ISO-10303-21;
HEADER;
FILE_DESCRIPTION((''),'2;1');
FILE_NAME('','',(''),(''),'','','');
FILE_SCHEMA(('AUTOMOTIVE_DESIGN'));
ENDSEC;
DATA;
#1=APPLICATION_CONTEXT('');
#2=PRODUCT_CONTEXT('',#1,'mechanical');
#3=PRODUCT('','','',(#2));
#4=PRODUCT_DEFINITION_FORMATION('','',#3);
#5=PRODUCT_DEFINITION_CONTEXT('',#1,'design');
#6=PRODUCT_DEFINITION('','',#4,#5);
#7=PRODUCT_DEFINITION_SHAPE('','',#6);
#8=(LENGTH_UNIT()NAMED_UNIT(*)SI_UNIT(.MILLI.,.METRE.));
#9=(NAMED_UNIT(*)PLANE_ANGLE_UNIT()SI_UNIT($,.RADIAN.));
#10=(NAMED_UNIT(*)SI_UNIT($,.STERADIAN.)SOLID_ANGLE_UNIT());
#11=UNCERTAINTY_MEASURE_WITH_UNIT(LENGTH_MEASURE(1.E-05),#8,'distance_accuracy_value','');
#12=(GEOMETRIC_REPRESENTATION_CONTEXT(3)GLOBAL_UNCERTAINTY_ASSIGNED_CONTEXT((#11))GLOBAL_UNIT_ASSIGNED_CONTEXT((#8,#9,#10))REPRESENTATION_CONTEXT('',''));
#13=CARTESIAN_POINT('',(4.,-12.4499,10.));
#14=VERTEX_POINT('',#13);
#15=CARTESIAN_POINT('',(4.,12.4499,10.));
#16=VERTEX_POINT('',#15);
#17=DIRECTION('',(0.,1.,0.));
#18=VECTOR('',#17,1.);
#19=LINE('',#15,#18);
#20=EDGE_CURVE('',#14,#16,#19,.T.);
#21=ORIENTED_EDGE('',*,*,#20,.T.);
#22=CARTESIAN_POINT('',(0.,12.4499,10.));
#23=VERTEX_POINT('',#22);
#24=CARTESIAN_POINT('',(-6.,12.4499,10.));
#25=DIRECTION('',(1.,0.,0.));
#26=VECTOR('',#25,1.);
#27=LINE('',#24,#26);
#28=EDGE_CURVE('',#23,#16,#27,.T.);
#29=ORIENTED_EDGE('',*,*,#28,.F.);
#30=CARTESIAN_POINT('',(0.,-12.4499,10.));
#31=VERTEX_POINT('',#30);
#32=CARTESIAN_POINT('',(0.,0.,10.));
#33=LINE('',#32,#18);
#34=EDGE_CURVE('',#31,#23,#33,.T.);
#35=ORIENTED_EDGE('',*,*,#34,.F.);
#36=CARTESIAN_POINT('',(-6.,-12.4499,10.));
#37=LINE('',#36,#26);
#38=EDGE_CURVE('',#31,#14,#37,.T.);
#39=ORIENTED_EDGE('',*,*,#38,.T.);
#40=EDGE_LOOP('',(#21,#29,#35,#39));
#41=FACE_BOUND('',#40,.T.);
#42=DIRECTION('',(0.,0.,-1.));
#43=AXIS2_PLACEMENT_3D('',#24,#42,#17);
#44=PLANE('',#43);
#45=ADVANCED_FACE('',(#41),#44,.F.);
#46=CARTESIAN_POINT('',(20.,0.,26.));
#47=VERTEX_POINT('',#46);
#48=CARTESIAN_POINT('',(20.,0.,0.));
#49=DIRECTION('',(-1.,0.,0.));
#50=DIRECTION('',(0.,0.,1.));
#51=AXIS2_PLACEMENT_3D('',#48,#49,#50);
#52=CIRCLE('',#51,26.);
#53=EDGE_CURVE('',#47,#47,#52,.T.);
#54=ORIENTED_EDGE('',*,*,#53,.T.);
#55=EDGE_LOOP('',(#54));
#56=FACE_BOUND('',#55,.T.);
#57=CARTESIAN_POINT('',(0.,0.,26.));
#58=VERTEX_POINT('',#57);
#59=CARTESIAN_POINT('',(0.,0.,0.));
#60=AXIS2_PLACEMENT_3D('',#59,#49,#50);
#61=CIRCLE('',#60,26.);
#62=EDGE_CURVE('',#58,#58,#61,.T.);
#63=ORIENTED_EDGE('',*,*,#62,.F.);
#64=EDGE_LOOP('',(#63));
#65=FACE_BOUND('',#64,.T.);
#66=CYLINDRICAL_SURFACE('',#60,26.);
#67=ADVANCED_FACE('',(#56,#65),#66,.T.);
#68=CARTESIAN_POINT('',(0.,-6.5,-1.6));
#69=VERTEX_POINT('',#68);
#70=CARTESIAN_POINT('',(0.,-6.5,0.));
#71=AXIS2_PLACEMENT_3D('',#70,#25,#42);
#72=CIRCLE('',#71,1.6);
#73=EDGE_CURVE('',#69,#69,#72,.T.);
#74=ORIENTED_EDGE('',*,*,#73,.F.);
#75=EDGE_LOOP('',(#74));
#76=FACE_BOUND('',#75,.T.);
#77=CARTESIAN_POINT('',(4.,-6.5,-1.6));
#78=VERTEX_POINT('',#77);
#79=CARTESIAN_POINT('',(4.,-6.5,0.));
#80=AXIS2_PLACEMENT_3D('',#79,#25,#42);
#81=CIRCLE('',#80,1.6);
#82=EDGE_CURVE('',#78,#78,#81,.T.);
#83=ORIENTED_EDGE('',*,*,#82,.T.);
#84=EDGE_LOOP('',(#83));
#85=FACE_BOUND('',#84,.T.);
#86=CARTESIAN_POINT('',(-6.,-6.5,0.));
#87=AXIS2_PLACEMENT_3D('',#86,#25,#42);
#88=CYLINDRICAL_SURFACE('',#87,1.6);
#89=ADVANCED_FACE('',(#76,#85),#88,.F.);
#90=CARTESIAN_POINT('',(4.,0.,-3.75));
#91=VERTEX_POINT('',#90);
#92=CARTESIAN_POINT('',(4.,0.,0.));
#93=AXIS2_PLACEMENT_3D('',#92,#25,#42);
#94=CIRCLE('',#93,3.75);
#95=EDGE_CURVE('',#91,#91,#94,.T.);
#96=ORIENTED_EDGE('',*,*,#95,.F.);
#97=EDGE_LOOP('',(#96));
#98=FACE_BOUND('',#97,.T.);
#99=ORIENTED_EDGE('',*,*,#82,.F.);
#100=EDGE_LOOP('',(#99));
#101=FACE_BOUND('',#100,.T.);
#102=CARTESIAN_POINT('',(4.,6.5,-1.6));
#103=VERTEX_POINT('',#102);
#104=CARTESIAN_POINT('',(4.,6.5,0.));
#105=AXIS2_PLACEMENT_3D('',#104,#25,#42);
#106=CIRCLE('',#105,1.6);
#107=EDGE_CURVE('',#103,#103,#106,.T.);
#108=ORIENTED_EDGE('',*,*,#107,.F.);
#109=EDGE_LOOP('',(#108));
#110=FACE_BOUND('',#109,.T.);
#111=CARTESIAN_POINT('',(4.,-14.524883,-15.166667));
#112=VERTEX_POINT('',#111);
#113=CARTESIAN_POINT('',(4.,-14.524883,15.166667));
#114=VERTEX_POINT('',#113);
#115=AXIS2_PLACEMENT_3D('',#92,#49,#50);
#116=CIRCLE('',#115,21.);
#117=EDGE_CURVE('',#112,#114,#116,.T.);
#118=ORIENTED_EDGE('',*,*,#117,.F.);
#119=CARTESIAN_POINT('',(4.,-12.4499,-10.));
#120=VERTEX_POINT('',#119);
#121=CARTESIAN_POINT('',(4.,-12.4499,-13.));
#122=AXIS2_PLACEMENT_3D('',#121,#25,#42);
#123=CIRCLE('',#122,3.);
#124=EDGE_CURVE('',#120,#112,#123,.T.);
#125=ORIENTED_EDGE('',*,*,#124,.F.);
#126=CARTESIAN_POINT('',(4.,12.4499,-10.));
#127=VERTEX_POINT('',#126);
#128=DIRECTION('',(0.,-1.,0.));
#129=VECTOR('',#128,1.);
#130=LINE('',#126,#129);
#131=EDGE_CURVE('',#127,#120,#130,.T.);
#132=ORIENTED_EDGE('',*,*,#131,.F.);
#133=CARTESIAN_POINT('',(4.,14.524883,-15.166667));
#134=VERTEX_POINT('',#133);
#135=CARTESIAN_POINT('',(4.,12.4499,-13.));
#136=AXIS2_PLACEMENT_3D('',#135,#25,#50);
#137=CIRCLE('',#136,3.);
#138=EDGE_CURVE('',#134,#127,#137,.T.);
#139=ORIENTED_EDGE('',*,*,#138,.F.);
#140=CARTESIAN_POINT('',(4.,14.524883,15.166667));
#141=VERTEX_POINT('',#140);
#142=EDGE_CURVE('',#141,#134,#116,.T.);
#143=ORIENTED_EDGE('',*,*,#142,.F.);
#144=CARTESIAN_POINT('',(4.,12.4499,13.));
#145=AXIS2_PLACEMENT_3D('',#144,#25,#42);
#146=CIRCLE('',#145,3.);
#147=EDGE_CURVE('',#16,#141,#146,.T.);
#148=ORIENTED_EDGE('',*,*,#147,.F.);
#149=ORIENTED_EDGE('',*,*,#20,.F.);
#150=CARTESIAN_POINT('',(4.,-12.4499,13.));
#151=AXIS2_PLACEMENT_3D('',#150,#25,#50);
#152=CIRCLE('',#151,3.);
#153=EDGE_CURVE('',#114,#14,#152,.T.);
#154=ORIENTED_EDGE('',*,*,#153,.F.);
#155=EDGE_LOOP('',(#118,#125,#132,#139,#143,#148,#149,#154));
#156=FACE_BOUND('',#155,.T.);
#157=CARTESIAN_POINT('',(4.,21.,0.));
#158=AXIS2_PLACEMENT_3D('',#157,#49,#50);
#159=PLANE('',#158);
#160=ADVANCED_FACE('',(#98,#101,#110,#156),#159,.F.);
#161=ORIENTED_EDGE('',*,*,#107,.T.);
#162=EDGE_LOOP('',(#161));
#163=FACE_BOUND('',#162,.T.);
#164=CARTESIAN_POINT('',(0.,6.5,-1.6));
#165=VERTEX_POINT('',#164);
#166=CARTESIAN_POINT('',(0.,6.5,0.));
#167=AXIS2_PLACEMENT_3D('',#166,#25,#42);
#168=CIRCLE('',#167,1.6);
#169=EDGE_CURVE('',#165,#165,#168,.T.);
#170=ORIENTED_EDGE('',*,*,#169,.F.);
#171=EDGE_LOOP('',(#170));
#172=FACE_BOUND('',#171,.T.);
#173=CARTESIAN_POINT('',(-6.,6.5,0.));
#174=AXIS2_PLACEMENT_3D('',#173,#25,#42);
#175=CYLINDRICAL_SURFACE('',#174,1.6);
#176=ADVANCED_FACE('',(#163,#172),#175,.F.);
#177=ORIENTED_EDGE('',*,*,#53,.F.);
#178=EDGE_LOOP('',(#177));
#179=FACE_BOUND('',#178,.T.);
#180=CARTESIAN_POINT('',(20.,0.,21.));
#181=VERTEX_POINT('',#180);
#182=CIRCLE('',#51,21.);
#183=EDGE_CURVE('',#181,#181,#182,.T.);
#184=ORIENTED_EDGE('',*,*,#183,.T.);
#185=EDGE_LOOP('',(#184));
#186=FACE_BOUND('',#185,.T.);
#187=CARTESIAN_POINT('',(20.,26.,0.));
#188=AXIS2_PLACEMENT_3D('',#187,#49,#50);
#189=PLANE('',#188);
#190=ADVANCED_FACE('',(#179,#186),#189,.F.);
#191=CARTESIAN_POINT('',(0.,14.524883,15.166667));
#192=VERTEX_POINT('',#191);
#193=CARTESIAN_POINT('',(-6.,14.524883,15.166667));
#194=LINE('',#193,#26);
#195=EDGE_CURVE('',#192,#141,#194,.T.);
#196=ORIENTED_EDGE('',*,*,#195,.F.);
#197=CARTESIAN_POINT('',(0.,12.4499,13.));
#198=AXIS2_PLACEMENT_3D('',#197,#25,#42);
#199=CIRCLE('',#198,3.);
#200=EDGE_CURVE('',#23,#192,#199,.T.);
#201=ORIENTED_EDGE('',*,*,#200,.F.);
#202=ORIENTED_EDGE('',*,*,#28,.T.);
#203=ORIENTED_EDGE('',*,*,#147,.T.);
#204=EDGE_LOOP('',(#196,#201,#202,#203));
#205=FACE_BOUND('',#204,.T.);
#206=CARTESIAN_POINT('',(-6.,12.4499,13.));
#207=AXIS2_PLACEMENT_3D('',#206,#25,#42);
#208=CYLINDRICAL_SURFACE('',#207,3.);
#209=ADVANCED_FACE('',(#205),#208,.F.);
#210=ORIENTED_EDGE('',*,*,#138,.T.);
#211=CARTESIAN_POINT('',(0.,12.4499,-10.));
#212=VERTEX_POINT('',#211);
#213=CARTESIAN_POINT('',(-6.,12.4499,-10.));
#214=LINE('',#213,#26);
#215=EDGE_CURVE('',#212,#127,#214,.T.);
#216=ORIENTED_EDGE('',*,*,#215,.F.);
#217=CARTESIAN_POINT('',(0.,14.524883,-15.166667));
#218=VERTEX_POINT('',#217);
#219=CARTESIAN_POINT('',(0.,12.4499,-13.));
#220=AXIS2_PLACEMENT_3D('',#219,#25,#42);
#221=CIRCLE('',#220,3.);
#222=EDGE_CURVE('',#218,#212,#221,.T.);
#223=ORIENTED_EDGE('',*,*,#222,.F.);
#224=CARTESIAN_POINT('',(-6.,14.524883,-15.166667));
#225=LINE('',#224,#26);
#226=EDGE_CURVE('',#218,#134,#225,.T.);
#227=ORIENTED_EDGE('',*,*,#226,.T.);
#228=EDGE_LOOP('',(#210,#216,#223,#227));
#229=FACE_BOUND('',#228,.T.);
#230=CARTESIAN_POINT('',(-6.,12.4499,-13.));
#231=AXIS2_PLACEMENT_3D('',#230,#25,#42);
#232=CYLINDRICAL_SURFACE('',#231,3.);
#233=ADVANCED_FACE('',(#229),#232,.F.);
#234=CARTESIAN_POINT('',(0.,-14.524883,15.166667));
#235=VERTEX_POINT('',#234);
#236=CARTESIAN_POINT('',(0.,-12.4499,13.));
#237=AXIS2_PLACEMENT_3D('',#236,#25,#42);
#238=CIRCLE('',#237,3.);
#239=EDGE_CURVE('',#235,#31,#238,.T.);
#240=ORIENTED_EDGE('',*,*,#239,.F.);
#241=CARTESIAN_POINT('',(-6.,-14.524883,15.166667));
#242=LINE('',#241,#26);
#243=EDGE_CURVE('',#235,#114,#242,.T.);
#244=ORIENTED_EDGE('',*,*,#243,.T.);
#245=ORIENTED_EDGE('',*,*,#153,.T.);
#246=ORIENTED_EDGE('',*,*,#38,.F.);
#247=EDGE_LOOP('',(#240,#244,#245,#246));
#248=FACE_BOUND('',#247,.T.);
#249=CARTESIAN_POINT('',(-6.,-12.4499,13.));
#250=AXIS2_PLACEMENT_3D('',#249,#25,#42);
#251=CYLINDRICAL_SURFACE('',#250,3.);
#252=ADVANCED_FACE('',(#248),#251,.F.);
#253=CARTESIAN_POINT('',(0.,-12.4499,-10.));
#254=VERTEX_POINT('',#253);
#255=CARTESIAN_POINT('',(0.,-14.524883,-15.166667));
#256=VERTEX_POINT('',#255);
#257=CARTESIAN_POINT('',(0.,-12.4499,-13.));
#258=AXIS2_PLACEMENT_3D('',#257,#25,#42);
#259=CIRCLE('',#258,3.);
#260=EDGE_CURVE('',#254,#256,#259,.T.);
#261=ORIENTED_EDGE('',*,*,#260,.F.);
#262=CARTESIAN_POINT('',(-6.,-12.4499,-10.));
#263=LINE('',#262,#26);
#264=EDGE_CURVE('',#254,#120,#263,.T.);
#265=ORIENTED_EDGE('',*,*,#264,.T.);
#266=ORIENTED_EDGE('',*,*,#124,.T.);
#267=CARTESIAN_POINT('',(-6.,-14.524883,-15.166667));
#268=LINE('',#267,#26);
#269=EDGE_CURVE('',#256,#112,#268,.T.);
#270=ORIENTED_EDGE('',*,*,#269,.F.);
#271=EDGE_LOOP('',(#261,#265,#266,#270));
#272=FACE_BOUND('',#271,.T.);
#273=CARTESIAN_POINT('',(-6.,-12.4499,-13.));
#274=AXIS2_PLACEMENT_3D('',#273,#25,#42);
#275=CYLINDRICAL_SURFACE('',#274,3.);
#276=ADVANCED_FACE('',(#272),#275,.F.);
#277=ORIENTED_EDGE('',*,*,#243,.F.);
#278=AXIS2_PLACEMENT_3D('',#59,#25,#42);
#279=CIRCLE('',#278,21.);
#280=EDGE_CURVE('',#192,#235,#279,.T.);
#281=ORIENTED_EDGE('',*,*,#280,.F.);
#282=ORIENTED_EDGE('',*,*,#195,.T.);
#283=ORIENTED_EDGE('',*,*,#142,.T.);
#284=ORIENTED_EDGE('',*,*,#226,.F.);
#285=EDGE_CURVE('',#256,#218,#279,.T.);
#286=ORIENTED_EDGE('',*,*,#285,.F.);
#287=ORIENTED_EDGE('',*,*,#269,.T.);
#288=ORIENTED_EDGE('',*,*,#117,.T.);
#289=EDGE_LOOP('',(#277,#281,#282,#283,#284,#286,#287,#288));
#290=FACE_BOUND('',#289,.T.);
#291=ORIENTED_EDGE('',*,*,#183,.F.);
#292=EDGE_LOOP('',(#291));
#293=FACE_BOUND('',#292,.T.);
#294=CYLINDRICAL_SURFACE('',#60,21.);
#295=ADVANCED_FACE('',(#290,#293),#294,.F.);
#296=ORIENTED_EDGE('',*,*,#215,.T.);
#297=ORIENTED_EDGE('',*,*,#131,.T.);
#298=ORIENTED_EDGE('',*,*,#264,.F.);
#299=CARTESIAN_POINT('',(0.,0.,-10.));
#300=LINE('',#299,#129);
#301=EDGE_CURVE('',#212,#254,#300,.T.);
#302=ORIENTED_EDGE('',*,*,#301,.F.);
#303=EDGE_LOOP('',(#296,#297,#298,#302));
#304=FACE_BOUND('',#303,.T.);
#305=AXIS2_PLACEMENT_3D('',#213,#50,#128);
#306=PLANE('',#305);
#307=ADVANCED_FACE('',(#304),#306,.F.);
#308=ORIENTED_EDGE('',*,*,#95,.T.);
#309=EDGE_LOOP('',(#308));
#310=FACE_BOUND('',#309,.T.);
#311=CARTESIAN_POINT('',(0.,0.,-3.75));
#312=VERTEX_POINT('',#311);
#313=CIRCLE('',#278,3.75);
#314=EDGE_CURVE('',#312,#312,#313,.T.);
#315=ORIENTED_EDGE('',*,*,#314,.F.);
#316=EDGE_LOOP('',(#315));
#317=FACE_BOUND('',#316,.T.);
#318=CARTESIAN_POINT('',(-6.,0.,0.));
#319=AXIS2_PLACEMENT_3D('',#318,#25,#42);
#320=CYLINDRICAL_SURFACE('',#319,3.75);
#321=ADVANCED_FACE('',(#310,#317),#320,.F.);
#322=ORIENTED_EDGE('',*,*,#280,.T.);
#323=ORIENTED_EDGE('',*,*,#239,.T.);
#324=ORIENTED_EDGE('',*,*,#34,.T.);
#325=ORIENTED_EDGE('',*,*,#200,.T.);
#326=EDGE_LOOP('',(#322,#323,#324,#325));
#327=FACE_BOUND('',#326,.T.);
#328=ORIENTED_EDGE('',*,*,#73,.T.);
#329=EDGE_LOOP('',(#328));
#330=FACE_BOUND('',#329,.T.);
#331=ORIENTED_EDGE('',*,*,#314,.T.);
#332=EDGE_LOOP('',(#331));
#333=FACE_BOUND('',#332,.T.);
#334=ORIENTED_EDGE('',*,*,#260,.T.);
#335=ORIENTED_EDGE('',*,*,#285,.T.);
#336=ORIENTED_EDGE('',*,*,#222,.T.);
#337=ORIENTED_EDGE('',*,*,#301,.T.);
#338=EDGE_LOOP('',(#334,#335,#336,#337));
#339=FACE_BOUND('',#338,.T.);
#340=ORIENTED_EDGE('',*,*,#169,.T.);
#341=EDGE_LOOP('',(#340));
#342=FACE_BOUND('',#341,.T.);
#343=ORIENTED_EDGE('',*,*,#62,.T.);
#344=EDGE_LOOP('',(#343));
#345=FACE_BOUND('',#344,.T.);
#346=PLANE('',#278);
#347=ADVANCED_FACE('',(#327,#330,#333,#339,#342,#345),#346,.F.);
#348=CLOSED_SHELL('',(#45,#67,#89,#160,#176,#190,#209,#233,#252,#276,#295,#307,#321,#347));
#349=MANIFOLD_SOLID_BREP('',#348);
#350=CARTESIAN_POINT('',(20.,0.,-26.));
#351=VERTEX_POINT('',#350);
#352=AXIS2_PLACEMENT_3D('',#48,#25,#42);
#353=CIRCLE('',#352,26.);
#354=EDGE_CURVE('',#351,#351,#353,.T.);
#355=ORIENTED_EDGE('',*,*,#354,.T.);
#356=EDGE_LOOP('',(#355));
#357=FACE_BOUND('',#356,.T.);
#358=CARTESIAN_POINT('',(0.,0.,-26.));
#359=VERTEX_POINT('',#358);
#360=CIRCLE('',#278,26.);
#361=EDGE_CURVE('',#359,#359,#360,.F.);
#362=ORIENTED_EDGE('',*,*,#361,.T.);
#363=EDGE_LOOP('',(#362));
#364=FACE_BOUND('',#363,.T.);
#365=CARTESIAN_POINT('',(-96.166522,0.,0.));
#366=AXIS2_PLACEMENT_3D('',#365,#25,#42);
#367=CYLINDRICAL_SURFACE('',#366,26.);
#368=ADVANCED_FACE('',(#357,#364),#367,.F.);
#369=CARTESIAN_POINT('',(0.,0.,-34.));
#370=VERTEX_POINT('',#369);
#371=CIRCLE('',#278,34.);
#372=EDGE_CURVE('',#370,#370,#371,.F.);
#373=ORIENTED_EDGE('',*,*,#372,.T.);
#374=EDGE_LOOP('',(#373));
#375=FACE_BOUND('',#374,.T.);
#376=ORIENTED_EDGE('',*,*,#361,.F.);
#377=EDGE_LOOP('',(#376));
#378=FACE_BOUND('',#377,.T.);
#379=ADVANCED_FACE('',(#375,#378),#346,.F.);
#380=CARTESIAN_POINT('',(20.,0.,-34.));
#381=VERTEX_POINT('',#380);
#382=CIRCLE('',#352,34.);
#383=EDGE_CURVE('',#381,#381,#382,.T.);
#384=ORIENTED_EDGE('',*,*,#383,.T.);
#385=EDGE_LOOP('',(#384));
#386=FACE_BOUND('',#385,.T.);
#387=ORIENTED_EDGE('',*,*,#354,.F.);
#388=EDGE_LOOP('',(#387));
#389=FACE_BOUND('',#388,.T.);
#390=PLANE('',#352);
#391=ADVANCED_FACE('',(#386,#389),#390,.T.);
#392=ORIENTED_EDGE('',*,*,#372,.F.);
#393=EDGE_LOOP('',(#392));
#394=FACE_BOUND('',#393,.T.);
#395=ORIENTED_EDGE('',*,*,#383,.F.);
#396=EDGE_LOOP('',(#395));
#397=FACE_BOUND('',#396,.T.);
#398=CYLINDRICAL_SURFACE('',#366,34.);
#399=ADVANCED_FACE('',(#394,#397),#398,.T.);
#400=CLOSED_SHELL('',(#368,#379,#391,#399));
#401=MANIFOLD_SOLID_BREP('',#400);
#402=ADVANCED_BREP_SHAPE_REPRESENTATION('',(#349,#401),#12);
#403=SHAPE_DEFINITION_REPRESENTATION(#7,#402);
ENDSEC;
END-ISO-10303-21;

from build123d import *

# Parameters (mm, degrees)
SKETCH_2_R          = 3.75
SKETCH_2_R_2        = 1.6
CUT_EXTRUDE_1_DEPTH = 10
SKETCH_3_R          = 34
SKETCH_3_R_2        = 26
EXTRUDE_1_DEPTH     = 20


with BuildPart() as part:
    # 草图1 → 旋转1 (revolve)
    with BuildSketch(Plane.XY):
        Polygon((0, 0), (0, 26), (20, 26), (20, 21), (4, 21), (4, 0), align=None)
    revolve(axis=Axis((0, 0, 0), (1, 0, 0)))

    # 草图2 → 切除-拉伸1 (cut)
    with BuildSketch(Plane(origin=(4, 0, 0), x_dir=(0, 0, -1), z_dir=(1, 0, 0))):
        Circle(SKETCH_2_R)
        with Locations((0, 6.5)):
            Circle(SKETCH_2_R_2)
        with Locations((0, -6.5)):
            Circle(SKETCH_2_R_2)
        with BuildLine():
            Line((-10, 12.449899598), (-10, -12.449899598))
            ThreePointArc((-10, -12.449899598), (-11.881966011, -15.233781779), (-15.166666667, -14.524882864))
            ThreePointArc((-15.166666667, -14.524882864), (-21, 0), (-15.166666667, 14.524882864))
            ThreePointArc((-15.166666667, 14.524882864), (-11.881966011, 15.233781779), (-10, 12.449899598))
        make_face()
        with BuildLine():
            Line((10, 12.449899598), (10, -12.449899598))
            ThreePointArc((10, -12.449899598), (11.881966011, -15.233781779), (15.166666667, -14.524882864))
            ThreePointArc((15.166666667, -14.524882864), (21, 0), (15.166666667, 14.524882864))
            ThreePointArc((15.166666667, 14.524882864), (11.881966011, 15.233781779), (10, 12.449899598))
        make_face()
    extrude(amount=-CUT_EXTRUDE_1_DEPTH, mode=Mode.SUBTRACT)


with BuildPart() as body_2:
    # 草图3 → 凸台-拉伸1 (new body)
    with BuildSketch(Plane(origin=(20, 0, 0), x_dir=(0, 0, -1), z_dir=(1, 0, 0))):
        Circle(SKETCH_3_R)
        Circle(SKETCH_3_R_2, mode=Mode.SUBTRACT)
    extrude(amount=-EXTRUDE_1_DEPTH)


solid = Compound([part.part, body_2.part])
